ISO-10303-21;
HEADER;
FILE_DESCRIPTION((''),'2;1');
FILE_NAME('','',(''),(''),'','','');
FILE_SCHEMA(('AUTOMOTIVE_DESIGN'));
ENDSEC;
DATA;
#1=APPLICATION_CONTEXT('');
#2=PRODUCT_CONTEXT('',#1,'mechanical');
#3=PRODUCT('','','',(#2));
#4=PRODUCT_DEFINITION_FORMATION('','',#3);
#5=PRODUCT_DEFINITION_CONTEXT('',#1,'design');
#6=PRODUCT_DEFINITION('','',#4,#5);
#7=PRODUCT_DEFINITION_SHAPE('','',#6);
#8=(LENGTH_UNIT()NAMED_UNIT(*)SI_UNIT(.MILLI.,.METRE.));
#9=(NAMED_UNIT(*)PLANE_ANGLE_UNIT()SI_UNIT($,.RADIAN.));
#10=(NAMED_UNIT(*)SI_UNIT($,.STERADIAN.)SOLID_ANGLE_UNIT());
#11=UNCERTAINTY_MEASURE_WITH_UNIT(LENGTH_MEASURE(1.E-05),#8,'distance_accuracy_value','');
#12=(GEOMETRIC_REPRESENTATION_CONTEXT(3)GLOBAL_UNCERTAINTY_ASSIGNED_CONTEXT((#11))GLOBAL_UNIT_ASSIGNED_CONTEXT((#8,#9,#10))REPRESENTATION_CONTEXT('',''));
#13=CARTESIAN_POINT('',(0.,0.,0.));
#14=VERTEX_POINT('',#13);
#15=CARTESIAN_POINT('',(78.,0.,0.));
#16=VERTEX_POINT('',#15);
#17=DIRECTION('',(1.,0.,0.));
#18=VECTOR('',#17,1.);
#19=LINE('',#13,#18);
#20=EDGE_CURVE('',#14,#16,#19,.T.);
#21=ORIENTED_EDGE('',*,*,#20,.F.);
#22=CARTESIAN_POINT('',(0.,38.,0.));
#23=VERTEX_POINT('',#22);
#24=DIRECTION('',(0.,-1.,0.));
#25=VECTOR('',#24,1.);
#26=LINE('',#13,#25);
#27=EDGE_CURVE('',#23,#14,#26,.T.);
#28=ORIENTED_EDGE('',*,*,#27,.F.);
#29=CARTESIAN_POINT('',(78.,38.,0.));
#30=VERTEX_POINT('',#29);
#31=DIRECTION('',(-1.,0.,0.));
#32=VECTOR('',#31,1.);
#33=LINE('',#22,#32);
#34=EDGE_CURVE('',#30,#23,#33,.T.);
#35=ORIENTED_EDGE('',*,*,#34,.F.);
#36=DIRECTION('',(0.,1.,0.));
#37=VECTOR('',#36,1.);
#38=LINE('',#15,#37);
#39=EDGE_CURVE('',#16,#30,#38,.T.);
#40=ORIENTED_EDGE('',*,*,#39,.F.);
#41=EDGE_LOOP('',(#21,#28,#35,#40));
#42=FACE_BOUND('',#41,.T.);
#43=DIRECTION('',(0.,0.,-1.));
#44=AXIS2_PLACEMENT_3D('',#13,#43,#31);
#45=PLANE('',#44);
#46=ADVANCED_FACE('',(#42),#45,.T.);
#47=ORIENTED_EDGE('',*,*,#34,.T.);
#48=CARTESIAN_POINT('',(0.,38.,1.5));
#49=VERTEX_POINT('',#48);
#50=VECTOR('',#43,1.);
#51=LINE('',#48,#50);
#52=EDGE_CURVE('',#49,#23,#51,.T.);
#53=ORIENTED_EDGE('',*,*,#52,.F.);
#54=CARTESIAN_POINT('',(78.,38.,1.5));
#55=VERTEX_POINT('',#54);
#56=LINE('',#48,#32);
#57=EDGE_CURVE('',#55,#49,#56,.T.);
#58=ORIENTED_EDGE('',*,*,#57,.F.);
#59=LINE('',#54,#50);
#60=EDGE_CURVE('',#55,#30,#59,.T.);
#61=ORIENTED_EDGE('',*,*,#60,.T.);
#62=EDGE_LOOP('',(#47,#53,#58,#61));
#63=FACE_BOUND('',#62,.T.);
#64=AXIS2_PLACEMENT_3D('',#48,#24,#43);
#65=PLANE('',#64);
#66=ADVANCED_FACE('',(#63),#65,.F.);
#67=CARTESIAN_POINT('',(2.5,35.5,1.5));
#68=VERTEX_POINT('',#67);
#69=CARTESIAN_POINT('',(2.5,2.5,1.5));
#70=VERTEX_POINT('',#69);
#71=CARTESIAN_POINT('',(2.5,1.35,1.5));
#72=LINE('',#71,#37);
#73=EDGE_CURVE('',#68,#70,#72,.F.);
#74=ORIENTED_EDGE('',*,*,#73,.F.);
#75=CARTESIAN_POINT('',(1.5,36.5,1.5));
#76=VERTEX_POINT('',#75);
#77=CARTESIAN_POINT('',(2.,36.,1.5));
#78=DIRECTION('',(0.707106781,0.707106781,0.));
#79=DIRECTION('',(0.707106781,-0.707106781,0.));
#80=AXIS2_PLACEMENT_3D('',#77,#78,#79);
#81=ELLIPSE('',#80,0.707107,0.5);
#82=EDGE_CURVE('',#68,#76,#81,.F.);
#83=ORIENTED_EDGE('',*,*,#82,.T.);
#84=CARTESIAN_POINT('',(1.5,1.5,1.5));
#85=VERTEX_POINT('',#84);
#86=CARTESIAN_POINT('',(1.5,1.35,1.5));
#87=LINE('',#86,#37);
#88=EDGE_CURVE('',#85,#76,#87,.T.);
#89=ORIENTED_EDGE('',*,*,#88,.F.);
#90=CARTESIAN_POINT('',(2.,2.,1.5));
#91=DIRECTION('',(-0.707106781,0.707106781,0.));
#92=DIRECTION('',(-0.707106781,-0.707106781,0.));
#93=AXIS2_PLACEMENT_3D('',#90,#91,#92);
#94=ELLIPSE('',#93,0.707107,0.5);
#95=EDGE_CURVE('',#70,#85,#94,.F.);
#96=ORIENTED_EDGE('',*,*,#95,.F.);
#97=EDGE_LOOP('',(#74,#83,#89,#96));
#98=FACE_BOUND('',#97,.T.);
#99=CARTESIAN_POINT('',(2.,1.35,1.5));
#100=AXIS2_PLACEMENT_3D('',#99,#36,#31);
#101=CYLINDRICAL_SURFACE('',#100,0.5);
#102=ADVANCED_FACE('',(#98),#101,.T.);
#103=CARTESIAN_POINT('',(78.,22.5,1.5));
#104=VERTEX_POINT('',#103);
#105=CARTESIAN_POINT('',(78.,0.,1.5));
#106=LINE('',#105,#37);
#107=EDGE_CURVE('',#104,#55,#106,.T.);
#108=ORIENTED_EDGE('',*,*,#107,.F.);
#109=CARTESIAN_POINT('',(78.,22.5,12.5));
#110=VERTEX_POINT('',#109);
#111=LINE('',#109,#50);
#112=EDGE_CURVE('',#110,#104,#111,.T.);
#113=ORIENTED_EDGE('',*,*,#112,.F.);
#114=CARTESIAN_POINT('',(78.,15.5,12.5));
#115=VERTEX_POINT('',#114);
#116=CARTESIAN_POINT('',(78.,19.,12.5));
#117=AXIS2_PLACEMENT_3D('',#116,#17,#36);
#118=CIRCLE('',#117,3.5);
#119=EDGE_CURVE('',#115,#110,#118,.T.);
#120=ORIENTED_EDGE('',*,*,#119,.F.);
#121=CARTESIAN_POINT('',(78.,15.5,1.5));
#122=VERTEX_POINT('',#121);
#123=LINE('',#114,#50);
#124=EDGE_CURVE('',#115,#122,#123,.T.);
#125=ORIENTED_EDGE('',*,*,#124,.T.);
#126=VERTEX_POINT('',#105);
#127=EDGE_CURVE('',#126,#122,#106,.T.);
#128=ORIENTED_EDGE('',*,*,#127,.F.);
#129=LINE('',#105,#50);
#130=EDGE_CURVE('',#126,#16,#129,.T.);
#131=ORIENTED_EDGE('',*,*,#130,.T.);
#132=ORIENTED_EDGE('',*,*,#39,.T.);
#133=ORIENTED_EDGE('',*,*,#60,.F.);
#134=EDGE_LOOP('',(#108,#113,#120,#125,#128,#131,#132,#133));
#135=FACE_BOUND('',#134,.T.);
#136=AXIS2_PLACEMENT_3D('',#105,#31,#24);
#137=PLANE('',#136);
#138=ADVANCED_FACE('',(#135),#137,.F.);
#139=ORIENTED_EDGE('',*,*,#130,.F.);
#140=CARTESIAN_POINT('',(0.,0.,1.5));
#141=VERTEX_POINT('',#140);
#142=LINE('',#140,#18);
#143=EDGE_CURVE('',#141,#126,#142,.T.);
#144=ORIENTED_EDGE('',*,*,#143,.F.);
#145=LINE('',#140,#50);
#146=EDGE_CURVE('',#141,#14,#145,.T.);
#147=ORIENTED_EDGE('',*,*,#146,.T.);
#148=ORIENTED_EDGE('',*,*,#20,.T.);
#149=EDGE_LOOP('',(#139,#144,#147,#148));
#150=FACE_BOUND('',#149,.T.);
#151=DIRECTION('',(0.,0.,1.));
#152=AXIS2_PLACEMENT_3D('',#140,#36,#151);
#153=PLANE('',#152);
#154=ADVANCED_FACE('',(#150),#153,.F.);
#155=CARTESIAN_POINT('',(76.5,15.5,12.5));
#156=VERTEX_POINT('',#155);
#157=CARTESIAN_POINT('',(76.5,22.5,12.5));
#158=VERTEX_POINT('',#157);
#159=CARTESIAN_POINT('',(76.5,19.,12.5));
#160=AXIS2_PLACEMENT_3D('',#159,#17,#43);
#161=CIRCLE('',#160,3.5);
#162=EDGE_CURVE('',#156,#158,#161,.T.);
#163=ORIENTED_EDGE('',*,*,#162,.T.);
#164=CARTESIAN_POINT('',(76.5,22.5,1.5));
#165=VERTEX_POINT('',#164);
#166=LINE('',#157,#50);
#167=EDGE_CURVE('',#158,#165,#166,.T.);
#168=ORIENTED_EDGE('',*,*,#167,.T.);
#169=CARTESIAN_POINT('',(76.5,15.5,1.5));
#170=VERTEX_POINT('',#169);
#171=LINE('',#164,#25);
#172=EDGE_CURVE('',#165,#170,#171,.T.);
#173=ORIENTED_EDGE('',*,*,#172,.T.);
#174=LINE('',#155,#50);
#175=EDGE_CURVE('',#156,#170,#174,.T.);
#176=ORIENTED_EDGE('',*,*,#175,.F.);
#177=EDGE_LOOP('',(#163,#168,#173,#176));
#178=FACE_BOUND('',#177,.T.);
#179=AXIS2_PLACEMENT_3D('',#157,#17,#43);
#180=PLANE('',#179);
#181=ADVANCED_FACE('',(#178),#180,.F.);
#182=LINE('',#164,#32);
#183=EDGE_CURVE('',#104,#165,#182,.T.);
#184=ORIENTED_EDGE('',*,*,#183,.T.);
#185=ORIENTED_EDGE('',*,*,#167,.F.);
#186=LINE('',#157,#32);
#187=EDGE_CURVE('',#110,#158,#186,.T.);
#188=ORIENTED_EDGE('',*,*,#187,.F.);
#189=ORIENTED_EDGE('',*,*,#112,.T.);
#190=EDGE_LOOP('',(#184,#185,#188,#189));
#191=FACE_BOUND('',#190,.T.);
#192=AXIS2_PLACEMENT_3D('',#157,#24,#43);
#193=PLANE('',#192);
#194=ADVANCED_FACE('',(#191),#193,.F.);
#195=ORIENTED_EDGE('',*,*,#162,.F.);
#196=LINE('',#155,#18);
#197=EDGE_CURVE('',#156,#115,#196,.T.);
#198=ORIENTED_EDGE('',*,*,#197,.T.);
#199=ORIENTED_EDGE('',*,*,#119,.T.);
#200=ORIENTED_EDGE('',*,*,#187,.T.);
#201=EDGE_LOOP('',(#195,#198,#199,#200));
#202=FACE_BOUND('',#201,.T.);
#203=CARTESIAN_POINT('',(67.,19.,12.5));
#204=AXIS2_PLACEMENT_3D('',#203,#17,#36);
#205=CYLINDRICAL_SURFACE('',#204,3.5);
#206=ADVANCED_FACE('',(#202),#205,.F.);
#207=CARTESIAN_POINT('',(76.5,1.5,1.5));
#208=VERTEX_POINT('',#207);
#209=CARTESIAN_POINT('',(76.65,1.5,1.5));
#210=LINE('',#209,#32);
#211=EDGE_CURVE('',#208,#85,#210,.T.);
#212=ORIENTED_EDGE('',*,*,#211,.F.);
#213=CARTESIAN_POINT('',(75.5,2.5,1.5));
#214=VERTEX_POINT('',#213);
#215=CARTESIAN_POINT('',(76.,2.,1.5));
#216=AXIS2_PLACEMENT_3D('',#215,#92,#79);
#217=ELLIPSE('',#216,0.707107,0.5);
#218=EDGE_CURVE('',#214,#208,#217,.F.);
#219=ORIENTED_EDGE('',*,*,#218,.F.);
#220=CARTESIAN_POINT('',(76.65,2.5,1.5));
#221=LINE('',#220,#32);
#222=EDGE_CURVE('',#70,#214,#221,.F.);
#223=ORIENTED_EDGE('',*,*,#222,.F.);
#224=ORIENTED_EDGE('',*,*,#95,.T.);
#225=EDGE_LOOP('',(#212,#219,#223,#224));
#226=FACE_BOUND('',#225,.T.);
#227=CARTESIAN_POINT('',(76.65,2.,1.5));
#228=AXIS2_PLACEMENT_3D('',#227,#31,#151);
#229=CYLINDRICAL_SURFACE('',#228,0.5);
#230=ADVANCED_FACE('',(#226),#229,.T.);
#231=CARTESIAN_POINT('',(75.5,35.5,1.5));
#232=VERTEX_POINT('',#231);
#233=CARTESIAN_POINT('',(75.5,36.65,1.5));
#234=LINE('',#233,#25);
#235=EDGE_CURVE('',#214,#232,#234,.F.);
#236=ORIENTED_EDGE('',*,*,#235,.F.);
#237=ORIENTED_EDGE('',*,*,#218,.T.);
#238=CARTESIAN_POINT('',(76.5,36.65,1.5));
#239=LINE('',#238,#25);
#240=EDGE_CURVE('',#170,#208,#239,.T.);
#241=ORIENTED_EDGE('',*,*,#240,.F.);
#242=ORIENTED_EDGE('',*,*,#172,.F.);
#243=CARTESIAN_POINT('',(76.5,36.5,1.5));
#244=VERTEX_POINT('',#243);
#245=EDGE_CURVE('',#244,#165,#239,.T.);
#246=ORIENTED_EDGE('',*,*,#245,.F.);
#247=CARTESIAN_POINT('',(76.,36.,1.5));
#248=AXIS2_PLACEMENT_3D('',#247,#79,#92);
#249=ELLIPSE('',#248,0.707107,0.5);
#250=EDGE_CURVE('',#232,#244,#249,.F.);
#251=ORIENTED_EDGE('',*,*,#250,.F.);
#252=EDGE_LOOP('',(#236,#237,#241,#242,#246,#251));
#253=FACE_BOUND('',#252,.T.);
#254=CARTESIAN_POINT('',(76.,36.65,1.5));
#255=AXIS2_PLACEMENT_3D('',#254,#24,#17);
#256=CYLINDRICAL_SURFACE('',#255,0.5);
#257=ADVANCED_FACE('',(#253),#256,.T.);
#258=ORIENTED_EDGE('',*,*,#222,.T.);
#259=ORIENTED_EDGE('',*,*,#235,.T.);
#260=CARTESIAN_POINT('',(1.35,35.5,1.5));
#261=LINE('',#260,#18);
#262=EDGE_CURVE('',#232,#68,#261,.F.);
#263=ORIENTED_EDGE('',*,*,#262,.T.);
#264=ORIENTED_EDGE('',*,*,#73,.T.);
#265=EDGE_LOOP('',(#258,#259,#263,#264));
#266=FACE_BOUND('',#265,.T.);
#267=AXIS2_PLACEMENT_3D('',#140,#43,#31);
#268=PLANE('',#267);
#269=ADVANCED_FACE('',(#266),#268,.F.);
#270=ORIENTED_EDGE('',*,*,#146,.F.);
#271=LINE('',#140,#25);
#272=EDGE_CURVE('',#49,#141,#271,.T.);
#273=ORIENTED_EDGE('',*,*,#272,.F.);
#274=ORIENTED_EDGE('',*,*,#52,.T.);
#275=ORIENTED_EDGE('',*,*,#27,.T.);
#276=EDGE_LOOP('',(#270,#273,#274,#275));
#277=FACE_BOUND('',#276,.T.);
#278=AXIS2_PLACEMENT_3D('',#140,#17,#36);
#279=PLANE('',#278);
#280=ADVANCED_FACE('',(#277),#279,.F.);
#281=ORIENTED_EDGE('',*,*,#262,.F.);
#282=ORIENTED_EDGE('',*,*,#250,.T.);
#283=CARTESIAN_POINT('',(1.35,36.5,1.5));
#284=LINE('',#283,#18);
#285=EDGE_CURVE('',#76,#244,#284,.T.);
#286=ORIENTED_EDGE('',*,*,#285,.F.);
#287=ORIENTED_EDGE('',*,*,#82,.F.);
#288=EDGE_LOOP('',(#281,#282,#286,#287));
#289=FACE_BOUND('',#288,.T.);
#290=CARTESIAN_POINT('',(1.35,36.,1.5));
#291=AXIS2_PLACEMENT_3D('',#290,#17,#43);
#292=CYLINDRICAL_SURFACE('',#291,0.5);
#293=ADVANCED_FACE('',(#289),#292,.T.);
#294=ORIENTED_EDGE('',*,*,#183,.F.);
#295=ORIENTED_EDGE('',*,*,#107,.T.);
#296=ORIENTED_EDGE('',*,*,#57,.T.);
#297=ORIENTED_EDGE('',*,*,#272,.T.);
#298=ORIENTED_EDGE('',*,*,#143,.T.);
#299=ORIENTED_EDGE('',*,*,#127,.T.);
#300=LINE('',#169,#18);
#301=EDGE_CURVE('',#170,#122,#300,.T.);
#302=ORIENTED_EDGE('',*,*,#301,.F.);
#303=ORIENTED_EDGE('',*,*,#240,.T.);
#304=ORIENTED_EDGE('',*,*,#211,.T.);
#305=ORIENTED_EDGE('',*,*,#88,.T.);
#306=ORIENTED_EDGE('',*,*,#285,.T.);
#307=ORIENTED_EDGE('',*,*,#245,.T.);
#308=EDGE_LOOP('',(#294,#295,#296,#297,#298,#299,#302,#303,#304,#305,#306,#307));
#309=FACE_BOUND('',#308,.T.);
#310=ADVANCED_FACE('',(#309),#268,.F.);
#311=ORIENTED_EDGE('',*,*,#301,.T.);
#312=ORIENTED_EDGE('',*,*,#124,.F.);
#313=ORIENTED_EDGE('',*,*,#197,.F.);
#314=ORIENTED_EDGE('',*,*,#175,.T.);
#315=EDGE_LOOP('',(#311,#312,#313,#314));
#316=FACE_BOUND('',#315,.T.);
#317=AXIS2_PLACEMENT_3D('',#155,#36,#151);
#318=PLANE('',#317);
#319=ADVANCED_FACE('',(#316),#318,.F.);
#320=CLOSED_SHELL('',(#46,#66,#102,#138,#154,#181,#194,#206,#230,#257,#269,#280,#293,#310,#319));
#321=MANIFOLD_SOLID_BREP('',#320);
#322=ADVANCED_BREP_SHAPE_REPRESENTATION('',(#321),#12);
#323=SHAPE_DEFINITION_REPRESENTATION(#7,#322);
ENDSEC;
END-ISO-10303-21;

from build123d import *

# Parameters (mm, degrees)
ESQUISSE1_W             = 78
ESQUISSE1_H             = 38
BOSS_EXTRU_1_DEPTH      = 1.5
BALAYAGE1_PROFILE_R     = 0.5
ESQUISSE14_W            = 1.5
ESQUISSE14_H            = 7
BOSS_EXTRU_2_DEPTH      = 11
ENL_V_MAT_EXTRU_1_DEPTH = 11


with BuildPart() as part:
    # Esquisse1 → Boss.-Extru.1 (new body)
    with BuildSketch(Plane.XY):
        with Locations((39, 19)):
            Rectangle(ESQUISSE1_W, ESQUISSE1_H)
    extrude(amount=BOSS_EXTRU_1_DEPTH)

    # Balayage1: sweep along a curve in space
    with BuildLine() as balayage1_path:
        Line((2, 2, 1.5), (76, 2, 1.5))
        Line((76, 2, 1.5), (76, 36, 1.5))
        Line((76, 36, 1.5), (2, 36, 1.5))
        Line((2, 36, 1.5), (2, 2, 1.5))
    # Balayage1 profile (on start of the path) → Balayage1 (sweep)
    with BuildSketch(Plane(origin=(2, 2, 1.5), x_dir=(0, 0, 1), z_dir=(1, 0, 0))):
        Circle(BALAYAGE1_PROFILE_R)
    sweep(path=balayage1_path.line, transition=Transition.RIGHT)

    # Esquisse14 → Boss.-Extru.2 (add)
    with BuildSketch(Plane.XY.offset(1.5)):
        with Locations((77.25, 19)):
            Rectangle(ESQUISSE14_W, ESQUISSE14_H)
    extrude(amount=BOSS_EXTRU_2_DEPTH)

    # Esquisse15 → Enlèv. mat.-Extru.1 (cut)
    with BuildSketch(Plane(origin=(78, 0, 0), x_dir=(0, 0, -1), z_dir=(1, 0, 0))):
        with BuildLine():
            Line((-12.5, 15.5), (-14.376884621, 15.5))
            ThreePointArc((-14.376884621, 15.5), (-17.876884621, 19), (-14.376884621, 22.5))
            Line((-14.376884621, 22.5), (-12.5, 22.5))
            ThreePointArc((-12.5, 22.5), (-9, 19), (-12.5, 15.5))
        make_face()
    extrude(amount=-ENL_V_MAT_EXTRU_1_DEPTH, mode=Mode.SUBTRACT)


solid = part.part
